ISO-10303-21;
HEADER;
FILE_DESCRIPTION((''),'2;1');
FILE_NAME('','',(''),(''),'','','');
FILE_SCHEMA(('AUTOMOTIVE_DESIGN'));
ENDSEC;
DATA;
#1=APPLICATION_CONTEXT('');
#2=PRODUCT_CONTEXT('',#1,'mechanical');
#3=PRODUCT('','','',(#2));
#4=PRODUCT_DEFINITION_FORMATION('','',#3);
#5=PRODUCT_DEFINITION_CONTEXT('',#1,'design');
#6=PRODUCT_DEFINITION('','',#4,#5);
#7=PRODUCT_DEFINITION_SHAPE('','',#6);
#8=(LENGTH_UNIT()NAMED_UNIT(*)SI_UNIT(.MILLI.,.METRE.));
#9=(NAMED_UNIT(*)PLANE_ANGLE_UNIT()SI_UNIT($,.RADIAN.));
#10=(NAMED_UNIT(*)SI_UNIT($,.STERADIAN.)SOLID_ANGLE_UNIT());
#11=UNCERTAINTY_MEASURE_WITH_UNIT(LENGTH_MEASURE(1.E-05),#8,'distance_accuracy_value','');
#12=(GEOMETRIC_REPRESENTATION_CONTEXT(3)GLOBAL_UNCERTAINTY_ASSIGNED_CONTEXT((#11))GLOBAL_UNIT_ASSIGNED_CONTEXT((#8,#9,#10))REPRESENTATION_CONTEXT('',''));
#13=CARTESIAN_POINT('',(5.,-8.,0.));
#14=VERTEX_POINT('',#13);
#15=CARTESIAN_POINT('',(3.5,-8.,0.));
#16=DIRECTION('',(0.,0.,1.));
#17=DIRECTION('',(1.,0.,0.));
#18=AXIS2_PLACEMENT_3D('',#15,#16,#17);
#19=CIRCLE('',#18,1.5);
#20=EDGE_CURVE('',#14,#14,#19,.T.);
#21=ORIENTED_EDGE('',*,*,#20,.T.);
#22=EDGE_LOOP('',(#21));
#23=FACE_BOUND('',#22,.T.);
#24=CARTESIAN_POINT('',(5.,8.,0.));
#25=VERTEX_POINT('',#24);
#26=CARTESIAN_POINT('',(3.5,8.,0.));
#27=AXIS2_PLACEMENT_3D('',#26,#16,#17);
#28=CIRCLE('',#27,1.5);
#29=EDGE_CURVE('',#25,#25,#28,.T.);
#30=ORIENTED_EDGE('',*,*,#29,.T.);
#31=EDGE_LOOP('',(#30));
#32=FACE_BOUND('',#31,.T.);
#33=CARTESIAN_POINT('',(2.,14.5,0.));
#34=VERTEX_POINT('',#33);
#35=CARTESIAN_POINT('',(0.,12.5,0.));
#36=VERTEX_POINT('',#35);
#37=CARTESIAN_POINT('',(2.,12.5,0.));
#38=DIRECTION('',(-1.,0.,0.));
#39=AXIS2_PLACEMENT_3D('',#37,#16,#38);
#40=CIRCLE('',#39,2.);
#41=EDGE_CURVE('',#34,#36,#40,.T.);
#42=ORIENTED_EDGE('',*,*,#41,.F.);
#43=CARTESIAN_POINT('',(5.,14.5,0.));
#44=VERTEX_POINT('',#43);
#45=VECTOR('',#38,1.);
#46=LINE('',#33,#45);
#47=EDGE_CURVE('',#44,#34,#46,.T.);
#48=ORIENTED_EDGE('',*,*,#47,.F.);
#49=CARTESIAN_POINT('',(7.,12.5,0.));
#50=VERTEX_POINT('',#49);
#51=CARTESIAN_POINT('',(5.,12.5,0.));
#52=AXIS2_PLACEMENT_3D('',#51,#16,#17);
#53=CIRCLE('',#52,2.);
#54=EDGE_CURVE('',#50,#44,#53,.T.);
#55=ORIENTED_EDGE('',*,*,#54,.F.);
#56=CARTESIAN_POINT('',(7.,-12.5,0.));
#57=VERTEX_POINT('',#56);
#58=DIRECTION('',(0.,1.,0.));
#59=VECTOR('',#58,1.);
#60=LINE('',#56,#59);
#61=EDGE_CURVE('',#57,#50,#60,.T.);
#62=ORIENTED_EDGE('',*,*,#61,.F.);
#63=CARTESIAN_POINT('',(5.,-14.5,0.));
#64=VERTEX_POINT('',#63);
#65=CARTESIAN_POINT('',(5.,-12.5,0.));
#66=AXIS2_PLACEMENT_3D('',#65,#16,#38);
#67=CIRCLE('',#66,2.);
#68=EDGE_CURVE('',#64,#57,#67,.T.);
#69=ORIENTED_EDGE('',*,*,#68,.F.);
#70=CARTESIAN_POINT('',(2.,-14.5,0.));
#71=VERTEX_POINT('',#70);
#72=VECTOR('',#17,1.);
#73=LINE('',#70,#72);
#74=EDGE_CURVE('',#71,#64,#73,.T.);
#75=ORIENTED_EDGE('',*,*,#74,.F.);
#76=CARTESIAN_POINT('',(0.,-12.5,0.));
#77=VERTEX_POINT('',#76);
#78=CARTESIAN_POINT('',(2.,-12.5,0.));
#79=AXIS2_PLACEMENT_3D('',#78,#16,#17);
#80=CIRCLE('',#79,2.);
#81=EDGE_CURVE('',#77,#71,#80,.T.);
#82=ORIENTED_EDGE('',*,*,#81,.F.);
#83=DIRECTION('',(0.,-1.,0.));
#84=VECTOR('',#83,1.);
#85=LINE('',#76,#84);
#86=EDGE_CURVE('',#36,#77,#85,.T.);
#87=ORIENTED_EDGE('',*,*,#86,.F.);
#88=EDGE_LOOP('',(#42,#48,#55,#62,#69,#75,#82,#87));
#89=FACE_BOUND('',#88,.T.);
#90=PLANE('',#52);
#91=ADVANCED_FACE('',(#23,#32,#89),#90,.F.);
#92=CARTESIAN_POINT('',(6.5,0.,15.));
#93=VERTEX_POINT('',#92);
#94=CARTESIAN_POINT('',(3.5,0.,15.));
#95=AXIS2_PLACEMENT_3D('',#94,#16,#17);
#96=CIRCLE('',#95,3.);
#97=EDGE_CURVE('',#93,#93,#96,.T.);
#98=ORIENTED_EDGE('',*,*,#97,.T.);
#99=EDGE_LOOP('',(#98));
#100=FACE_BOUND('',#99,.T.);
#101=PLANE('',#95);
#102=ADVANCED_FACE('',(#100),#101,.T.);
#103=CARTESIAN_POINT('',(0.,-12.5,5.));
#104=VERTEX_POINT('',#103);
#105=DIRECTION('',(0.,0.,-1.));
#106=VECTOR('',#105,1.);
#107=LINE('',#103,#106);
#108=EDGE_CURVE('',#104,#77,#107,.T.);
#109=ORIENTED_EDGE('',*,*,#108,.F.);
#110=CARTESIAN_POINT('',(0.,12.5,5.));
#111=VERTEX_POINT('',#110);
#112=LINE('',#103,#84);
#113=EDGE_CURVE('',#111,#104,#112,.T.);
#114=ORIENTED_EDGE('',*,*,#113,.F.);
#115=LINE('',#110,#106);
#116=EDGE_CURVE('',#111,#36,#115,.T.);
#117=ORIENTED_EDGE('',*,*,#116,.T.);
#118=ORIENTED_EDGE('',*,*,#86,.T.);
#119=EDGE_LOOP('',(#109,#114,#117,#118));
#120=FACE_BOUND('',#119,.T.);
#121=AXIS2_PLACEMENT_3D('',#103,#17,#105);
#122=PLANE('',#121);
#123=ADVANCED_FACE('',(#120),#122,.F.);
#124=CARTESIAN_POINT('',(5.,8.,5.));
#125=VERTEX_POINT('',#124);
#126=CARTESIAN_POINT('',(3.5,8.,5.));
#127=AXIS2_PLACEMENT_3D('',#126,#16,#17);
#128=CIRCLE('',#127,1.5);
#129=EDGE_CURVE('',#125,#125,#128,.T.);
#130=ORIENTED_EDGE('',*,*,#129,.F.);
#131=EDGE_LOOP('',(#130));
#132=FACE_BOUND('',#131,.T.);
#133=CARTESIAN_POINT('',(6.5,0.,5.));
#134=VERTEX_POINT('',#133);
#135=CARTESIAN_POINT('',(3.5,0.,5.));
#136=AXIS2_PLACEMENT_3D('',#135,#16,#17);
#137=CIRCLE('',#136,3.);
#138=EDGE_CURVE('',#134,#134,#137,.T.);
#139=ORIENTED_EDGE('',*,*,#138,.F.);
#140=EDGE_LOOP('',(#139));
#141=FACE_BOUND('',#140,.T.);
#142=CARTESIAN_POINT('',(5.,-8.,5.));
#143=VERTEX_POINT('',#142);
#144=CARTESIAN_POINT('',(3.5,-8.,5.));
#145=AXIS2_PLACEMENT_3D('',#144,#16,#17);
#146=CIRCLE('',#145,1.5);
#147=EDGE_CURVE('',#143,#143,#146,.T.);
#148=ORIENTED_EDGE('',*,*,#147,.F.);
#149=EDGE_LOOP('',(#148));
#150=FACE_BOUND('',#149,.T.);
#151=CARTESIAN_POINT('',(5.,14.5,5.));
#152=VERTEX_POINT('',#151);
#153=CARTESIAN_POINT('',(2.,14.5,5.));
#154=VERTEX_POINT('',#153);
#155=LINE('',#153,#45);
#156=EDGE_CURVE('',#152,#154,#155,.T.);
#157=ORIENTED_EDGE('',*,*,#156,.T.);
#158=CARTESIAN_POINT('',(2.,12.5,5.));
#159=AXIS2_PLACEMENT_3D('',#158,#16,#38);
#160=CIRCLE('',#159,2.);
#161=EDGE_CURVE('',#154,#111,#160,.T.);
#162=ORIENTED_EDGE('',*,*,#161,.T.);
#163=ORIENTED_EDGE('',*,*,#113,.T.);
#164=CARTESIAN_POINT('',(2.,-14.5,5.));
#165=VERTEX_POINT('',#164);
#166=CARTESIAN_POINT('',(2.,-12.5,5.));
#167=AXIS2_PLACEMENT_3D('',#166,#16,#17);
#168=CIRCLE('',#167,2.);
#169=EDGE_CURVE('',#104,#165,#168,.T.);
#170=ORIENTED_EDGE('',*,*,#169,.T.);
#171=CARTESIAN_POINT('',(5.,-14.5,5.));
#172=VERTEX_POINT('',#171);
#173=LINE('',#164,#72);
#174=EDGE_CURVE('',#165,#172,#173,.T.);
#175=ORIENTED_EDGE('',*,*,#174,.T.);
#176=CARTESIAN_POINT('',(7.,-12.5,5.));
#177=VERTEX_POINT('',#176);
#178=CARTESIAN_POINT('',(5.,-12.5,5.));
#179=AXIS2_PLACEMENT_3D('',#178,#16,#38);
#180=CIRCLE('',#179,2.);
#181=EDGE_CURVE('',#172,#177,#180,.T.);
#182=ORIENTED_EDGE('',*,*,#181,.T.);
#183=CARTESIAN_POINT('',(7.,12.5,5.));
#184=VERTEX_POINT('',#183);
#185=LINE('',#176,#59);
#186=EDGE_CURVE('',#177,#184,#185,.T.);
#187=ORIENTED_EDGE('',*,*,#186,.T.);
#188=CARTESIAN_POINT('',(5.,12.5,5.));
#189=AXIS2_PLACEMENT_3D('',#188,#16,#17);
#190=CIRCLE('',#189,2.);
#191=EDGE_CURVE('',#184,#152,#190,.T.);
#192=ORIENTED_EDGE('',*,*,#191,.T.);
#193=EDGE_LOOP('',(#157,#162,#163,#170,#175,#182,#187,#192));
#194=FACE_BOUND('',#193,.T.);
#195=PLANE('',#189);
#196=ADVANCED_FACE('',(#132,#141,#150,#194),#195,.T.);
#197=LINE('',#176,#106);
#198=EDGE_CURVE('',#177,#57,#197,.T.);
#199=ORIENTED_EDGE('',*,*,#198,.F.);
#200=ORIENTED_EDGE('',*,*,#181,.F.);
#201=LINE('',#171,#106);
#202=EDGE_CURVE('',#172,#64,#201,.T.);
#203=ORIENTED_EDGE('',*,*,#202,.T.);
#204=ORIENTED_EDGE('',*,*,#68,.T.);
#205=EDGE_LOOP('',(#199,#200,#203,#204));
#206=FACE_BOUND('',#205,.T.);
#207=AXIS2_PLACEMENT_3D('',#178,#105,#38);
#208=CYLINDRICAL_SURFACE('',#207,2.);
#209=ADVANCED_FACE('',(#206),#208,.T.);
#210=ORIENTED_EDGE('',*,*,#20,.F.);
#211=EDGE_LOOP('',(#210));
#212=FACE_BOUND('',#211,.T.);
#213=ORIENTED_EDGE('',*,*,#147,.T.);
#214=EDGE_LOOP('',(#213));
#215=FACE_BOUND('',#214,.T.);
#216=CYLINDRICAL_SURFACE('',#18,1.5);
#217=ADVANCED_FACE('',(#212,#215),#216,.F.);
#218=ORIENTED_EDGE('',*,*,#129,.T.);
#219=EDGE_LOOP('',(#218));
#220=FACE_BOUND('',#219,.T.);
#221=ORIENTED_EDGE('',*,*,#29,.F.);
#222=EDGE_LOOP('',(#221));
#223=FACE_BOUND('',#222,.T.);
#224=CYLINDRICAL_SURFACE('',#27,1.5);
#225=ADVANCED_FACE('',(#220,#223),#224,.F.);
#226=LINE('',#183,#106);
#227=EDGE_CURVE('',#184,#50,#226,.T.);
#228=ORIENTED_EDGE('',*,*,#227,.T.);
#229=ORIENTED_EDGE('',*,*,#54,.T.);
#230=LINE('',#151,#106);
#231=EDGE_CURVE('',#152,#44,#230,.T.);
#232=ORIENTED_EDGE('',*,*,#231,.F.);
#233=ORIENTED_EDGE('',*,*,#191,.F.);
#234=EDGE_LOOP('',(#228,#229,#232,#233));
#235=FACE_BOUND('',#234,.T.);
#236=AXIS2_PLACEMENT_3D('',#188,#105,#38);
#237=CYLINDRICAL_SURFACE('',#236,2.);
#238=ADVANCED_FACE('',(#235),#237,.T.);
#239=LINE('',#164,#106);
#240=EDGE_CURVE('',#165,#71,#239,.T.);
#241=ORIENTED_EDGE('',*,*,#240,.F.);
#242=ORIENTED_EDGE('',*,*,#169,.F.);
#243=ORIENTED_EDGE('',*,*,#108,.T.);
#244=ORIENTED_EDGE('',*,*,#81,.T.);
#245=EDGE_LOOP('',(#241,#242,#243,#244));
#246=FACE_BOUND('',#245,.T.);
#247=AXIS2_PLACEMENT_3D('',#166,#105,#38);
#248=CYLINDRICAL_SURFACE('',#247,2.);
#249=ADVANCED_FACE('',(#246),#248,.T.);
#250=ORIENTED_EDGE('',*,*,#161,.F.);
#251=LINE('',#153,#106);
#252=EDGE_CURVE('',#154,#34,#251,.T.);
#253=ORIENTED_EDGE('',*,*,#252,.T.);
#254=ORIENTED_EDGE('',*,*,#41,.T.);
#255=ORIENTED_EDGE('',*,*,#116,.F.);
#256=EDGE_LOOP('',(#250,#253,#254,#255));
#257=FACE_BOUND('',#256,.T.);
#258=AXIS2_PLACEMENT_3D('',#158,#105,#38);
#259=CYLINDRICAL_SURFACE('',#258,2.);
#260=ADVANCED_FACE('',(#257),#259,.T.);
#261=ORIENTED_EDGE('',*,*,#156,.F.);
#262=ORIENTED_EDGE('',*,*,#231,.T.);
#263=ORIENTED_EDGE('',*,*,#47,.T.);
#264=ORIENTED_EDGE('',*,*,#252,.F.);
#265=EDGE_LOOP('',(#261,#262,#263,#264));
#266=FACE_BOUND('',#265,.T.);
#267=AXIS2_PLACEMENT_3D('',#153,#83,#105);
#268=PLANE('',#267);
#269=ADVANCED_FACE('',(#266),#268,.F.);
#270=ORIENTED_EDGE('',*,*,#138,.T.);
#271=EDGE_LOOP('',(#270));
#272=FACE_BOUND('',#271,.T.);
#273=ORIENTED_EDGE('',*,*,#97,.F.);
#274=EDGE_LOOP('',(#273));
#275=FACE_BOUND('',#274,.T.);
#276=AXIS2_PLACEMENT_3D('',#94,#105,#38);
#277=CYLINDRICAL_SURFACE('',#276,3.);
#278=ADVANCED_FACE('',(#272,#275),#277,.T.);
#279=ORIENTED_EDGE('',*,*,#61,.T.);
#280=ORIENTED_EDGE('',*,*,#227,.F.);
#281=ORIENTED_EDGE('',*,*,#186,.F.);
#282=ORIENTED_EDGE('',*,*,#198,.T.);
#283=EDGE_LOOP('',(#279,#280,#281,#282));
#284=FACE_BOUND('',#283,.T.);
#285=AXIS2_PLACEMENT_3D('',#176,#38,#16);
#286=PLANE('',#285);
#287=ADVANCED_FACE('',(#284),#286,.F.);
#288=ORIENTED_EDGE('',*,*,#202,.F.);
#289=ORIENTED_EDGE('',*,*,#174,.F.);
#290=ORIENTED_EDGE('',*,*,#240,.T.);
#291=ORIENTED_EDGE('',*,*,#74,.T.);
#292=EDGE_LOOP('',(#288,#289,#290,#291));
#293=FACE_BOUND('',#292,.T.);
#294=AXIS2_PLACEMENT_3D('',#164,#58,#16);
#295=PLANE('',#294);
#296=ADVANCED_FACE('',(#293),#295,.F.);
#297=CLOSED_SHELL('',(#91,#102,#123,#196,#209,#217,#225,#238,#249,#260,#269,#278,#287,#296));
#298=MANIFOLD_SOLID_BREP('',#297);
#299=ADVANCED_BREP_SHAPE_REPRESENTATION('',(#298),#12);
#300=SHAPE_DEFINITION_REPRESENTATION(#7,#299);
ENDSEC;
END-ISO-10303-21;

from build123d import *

# Parameters (mm, degrees)
BOSS_EXTRUDE1_DEPTH = 5
SKETCH2_R           = 3
BOSS_EXTRUDE2_DEPTH = 10
SKETCH3_R           = 1.5
CUT_EXTRUDE1_DEPTH  = 19.953891421


with BuildPart() as part:
    # Sketch1 → Boss-Extrude1 (new body)
    with BuildSketch(Plane.XY):
        with BuildLine():
            Line((0, -12.5), (0, 12.5))
            ThreePointArc((0, 12.5), (0.585786438, 13.914213562), (2, 14.5))
            Line((2, 14.5), (5, 14.5))
            ThreePointArc((5, 14.5), (6.414213562, 13.914213562), (7, 12.5))
            Line((7, 12.5), (7, -12.5))
            ThreePointArc((7, -12.5), (6.414213562, -13.914213562), (5, -14.5))
            Line((5, -14.5), (2, -14.5))
            ThreePointArc((2, -14.5), (0.585786438, -13.914213562), (0, -12.5))
        make_face()
    extrude(amount=BOSS_EXTRUDE1_DEPTH)

    # Sketch2 → Boss-Extrude2 (add)
    with BuildSketch(Plane.XY.offset(5)):
        with Locations((3.5, 0)):
            Circle(SKETCH2_R)
    extrude(amount=BOSS_EXTRUDE2_DEPTH)

    # Sketch3 → Cut-Extrude1 (cut, through all)
    with BuildSketch(Plane.XY.offset(5)):
        with Locations((3.5, 8)):
            Circle(SKETCH3_R)
        with Locations((3.5, -8)):
            Circle(SKETCH3_R)
    extrude(amount=-CUT_EXTRUDE1_DEPTH, mode=Mode.SUBTRACT)


solid = part.part
